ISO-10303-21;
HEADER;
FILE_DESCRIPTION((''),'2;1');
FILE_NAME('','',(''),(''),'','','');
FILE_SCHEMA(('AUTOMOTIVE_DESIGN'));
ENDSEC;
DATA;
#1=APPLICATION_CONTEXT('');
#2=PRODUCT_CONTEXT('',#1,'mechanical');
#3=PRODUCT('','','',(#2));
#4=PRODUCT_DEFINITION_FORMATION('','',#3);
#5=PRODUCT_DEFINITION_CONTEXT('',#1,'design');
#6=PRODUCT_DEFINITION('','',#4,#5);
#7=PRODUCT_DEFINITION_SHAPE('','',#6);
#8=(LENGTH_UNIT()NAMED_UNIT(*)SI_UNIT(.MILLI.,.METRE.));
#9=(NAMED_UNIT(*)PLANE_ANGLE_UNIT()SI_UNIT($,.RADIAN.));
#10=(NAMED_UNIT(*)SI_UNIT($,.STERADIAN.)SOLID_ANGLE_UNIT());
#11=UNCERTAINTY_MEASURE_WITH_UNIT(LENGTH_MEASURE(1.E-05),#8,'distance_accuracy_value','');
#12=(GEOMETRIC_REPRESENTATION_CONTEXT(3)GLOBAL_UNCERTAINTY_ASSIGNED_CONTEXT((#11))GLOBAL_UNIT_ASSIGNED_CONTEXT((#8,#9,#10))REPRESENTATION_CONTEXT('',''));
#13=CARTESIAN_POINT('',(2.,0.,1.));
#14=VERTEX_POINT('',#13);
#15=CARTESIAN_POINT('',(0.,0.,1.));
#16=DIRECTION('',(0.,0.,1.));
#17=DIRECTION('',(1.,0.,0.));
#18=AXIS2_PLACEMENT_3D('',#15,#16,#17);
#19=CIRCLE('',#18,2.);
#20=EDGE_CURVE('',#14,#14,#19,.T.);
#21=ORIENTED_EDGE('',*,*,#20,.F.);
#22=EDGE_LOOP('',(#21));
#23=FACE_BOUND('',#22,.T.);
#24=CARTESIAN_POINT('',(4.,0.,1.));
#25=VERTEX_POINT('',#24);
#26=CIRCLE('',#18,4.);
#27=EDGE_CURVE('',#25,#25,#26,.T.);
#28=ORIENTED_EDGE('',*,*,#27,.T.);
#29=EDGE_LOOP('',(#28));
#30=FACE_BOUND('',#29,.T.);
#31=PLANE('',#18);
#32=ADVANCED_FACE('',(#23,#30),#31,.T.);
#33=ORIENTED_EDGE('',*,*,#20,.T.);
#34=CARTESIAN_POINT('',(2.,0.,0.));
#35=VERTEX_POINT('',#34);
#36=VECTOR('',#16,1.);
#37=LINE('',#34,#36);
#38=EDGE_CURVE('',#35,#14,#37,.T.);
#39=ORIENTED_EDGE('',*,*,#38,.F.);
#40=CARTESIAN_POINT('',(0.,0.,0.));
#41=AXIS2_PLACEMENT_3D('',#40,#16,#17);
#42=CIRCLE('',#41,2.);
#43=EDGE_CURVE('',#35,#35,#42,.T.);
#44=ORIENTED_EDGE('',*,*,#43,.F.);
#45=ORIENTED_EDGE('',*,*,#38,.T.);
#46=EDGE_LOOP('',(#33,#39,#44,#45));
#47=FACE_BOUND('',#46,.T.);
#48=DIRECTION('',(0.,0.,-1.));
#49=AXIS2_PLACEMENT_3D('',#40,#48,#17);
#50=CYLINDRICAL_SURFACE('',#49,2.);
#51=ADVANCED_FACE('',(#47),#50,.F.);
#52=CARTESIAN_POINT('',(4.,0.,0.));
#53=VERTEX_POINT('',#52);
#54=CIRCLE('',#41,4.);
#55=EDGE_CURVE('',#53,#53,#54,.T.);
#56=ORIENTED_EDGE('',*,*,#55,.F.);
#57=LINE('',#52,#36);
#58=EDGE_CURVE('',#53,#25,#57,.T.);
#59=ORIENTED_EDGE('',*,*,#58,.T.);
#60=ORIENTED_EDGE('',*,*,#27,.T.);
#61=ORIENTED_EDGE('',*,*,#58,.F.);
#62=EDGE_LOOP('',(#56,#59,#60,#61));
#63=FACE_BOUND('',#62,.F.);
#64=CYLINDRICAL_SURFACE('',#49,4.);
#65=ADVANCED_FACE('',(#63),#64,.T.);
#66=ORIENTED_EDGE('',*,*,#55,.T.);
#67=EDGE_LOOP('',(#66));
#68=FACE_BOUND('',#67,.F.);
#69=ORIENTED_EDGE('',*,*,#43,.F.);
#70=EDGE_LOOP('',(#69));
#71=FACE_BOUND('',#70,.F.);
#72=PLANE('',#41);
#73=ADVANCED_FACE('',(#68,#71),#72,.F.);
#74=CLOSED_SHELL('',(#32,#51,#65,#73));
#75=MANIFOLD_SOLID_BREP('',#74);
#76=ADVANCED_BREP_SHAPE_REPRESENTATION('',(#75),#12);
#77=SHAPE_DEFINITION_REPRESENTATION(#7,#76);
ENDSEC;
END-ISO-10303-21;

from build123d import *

# Parameters (mm, degrees)
SKETCH_1_R      = 4
SKETCH_1_R_2    = 2
EXTRUDE_1_DEPTH = 1


with BuildPart() as part:
    # 스케치1 → 보스-돌출1 (new body)
    with BuildSketch(Plane.XY):
        Circle(SKETCH_1_R)
        Circle(SKETCH_1_R_2, mode=Mode.SUBTRACT)
    extrude(amount=EXTRUDE_1_DEPTH)


solid = part.part
